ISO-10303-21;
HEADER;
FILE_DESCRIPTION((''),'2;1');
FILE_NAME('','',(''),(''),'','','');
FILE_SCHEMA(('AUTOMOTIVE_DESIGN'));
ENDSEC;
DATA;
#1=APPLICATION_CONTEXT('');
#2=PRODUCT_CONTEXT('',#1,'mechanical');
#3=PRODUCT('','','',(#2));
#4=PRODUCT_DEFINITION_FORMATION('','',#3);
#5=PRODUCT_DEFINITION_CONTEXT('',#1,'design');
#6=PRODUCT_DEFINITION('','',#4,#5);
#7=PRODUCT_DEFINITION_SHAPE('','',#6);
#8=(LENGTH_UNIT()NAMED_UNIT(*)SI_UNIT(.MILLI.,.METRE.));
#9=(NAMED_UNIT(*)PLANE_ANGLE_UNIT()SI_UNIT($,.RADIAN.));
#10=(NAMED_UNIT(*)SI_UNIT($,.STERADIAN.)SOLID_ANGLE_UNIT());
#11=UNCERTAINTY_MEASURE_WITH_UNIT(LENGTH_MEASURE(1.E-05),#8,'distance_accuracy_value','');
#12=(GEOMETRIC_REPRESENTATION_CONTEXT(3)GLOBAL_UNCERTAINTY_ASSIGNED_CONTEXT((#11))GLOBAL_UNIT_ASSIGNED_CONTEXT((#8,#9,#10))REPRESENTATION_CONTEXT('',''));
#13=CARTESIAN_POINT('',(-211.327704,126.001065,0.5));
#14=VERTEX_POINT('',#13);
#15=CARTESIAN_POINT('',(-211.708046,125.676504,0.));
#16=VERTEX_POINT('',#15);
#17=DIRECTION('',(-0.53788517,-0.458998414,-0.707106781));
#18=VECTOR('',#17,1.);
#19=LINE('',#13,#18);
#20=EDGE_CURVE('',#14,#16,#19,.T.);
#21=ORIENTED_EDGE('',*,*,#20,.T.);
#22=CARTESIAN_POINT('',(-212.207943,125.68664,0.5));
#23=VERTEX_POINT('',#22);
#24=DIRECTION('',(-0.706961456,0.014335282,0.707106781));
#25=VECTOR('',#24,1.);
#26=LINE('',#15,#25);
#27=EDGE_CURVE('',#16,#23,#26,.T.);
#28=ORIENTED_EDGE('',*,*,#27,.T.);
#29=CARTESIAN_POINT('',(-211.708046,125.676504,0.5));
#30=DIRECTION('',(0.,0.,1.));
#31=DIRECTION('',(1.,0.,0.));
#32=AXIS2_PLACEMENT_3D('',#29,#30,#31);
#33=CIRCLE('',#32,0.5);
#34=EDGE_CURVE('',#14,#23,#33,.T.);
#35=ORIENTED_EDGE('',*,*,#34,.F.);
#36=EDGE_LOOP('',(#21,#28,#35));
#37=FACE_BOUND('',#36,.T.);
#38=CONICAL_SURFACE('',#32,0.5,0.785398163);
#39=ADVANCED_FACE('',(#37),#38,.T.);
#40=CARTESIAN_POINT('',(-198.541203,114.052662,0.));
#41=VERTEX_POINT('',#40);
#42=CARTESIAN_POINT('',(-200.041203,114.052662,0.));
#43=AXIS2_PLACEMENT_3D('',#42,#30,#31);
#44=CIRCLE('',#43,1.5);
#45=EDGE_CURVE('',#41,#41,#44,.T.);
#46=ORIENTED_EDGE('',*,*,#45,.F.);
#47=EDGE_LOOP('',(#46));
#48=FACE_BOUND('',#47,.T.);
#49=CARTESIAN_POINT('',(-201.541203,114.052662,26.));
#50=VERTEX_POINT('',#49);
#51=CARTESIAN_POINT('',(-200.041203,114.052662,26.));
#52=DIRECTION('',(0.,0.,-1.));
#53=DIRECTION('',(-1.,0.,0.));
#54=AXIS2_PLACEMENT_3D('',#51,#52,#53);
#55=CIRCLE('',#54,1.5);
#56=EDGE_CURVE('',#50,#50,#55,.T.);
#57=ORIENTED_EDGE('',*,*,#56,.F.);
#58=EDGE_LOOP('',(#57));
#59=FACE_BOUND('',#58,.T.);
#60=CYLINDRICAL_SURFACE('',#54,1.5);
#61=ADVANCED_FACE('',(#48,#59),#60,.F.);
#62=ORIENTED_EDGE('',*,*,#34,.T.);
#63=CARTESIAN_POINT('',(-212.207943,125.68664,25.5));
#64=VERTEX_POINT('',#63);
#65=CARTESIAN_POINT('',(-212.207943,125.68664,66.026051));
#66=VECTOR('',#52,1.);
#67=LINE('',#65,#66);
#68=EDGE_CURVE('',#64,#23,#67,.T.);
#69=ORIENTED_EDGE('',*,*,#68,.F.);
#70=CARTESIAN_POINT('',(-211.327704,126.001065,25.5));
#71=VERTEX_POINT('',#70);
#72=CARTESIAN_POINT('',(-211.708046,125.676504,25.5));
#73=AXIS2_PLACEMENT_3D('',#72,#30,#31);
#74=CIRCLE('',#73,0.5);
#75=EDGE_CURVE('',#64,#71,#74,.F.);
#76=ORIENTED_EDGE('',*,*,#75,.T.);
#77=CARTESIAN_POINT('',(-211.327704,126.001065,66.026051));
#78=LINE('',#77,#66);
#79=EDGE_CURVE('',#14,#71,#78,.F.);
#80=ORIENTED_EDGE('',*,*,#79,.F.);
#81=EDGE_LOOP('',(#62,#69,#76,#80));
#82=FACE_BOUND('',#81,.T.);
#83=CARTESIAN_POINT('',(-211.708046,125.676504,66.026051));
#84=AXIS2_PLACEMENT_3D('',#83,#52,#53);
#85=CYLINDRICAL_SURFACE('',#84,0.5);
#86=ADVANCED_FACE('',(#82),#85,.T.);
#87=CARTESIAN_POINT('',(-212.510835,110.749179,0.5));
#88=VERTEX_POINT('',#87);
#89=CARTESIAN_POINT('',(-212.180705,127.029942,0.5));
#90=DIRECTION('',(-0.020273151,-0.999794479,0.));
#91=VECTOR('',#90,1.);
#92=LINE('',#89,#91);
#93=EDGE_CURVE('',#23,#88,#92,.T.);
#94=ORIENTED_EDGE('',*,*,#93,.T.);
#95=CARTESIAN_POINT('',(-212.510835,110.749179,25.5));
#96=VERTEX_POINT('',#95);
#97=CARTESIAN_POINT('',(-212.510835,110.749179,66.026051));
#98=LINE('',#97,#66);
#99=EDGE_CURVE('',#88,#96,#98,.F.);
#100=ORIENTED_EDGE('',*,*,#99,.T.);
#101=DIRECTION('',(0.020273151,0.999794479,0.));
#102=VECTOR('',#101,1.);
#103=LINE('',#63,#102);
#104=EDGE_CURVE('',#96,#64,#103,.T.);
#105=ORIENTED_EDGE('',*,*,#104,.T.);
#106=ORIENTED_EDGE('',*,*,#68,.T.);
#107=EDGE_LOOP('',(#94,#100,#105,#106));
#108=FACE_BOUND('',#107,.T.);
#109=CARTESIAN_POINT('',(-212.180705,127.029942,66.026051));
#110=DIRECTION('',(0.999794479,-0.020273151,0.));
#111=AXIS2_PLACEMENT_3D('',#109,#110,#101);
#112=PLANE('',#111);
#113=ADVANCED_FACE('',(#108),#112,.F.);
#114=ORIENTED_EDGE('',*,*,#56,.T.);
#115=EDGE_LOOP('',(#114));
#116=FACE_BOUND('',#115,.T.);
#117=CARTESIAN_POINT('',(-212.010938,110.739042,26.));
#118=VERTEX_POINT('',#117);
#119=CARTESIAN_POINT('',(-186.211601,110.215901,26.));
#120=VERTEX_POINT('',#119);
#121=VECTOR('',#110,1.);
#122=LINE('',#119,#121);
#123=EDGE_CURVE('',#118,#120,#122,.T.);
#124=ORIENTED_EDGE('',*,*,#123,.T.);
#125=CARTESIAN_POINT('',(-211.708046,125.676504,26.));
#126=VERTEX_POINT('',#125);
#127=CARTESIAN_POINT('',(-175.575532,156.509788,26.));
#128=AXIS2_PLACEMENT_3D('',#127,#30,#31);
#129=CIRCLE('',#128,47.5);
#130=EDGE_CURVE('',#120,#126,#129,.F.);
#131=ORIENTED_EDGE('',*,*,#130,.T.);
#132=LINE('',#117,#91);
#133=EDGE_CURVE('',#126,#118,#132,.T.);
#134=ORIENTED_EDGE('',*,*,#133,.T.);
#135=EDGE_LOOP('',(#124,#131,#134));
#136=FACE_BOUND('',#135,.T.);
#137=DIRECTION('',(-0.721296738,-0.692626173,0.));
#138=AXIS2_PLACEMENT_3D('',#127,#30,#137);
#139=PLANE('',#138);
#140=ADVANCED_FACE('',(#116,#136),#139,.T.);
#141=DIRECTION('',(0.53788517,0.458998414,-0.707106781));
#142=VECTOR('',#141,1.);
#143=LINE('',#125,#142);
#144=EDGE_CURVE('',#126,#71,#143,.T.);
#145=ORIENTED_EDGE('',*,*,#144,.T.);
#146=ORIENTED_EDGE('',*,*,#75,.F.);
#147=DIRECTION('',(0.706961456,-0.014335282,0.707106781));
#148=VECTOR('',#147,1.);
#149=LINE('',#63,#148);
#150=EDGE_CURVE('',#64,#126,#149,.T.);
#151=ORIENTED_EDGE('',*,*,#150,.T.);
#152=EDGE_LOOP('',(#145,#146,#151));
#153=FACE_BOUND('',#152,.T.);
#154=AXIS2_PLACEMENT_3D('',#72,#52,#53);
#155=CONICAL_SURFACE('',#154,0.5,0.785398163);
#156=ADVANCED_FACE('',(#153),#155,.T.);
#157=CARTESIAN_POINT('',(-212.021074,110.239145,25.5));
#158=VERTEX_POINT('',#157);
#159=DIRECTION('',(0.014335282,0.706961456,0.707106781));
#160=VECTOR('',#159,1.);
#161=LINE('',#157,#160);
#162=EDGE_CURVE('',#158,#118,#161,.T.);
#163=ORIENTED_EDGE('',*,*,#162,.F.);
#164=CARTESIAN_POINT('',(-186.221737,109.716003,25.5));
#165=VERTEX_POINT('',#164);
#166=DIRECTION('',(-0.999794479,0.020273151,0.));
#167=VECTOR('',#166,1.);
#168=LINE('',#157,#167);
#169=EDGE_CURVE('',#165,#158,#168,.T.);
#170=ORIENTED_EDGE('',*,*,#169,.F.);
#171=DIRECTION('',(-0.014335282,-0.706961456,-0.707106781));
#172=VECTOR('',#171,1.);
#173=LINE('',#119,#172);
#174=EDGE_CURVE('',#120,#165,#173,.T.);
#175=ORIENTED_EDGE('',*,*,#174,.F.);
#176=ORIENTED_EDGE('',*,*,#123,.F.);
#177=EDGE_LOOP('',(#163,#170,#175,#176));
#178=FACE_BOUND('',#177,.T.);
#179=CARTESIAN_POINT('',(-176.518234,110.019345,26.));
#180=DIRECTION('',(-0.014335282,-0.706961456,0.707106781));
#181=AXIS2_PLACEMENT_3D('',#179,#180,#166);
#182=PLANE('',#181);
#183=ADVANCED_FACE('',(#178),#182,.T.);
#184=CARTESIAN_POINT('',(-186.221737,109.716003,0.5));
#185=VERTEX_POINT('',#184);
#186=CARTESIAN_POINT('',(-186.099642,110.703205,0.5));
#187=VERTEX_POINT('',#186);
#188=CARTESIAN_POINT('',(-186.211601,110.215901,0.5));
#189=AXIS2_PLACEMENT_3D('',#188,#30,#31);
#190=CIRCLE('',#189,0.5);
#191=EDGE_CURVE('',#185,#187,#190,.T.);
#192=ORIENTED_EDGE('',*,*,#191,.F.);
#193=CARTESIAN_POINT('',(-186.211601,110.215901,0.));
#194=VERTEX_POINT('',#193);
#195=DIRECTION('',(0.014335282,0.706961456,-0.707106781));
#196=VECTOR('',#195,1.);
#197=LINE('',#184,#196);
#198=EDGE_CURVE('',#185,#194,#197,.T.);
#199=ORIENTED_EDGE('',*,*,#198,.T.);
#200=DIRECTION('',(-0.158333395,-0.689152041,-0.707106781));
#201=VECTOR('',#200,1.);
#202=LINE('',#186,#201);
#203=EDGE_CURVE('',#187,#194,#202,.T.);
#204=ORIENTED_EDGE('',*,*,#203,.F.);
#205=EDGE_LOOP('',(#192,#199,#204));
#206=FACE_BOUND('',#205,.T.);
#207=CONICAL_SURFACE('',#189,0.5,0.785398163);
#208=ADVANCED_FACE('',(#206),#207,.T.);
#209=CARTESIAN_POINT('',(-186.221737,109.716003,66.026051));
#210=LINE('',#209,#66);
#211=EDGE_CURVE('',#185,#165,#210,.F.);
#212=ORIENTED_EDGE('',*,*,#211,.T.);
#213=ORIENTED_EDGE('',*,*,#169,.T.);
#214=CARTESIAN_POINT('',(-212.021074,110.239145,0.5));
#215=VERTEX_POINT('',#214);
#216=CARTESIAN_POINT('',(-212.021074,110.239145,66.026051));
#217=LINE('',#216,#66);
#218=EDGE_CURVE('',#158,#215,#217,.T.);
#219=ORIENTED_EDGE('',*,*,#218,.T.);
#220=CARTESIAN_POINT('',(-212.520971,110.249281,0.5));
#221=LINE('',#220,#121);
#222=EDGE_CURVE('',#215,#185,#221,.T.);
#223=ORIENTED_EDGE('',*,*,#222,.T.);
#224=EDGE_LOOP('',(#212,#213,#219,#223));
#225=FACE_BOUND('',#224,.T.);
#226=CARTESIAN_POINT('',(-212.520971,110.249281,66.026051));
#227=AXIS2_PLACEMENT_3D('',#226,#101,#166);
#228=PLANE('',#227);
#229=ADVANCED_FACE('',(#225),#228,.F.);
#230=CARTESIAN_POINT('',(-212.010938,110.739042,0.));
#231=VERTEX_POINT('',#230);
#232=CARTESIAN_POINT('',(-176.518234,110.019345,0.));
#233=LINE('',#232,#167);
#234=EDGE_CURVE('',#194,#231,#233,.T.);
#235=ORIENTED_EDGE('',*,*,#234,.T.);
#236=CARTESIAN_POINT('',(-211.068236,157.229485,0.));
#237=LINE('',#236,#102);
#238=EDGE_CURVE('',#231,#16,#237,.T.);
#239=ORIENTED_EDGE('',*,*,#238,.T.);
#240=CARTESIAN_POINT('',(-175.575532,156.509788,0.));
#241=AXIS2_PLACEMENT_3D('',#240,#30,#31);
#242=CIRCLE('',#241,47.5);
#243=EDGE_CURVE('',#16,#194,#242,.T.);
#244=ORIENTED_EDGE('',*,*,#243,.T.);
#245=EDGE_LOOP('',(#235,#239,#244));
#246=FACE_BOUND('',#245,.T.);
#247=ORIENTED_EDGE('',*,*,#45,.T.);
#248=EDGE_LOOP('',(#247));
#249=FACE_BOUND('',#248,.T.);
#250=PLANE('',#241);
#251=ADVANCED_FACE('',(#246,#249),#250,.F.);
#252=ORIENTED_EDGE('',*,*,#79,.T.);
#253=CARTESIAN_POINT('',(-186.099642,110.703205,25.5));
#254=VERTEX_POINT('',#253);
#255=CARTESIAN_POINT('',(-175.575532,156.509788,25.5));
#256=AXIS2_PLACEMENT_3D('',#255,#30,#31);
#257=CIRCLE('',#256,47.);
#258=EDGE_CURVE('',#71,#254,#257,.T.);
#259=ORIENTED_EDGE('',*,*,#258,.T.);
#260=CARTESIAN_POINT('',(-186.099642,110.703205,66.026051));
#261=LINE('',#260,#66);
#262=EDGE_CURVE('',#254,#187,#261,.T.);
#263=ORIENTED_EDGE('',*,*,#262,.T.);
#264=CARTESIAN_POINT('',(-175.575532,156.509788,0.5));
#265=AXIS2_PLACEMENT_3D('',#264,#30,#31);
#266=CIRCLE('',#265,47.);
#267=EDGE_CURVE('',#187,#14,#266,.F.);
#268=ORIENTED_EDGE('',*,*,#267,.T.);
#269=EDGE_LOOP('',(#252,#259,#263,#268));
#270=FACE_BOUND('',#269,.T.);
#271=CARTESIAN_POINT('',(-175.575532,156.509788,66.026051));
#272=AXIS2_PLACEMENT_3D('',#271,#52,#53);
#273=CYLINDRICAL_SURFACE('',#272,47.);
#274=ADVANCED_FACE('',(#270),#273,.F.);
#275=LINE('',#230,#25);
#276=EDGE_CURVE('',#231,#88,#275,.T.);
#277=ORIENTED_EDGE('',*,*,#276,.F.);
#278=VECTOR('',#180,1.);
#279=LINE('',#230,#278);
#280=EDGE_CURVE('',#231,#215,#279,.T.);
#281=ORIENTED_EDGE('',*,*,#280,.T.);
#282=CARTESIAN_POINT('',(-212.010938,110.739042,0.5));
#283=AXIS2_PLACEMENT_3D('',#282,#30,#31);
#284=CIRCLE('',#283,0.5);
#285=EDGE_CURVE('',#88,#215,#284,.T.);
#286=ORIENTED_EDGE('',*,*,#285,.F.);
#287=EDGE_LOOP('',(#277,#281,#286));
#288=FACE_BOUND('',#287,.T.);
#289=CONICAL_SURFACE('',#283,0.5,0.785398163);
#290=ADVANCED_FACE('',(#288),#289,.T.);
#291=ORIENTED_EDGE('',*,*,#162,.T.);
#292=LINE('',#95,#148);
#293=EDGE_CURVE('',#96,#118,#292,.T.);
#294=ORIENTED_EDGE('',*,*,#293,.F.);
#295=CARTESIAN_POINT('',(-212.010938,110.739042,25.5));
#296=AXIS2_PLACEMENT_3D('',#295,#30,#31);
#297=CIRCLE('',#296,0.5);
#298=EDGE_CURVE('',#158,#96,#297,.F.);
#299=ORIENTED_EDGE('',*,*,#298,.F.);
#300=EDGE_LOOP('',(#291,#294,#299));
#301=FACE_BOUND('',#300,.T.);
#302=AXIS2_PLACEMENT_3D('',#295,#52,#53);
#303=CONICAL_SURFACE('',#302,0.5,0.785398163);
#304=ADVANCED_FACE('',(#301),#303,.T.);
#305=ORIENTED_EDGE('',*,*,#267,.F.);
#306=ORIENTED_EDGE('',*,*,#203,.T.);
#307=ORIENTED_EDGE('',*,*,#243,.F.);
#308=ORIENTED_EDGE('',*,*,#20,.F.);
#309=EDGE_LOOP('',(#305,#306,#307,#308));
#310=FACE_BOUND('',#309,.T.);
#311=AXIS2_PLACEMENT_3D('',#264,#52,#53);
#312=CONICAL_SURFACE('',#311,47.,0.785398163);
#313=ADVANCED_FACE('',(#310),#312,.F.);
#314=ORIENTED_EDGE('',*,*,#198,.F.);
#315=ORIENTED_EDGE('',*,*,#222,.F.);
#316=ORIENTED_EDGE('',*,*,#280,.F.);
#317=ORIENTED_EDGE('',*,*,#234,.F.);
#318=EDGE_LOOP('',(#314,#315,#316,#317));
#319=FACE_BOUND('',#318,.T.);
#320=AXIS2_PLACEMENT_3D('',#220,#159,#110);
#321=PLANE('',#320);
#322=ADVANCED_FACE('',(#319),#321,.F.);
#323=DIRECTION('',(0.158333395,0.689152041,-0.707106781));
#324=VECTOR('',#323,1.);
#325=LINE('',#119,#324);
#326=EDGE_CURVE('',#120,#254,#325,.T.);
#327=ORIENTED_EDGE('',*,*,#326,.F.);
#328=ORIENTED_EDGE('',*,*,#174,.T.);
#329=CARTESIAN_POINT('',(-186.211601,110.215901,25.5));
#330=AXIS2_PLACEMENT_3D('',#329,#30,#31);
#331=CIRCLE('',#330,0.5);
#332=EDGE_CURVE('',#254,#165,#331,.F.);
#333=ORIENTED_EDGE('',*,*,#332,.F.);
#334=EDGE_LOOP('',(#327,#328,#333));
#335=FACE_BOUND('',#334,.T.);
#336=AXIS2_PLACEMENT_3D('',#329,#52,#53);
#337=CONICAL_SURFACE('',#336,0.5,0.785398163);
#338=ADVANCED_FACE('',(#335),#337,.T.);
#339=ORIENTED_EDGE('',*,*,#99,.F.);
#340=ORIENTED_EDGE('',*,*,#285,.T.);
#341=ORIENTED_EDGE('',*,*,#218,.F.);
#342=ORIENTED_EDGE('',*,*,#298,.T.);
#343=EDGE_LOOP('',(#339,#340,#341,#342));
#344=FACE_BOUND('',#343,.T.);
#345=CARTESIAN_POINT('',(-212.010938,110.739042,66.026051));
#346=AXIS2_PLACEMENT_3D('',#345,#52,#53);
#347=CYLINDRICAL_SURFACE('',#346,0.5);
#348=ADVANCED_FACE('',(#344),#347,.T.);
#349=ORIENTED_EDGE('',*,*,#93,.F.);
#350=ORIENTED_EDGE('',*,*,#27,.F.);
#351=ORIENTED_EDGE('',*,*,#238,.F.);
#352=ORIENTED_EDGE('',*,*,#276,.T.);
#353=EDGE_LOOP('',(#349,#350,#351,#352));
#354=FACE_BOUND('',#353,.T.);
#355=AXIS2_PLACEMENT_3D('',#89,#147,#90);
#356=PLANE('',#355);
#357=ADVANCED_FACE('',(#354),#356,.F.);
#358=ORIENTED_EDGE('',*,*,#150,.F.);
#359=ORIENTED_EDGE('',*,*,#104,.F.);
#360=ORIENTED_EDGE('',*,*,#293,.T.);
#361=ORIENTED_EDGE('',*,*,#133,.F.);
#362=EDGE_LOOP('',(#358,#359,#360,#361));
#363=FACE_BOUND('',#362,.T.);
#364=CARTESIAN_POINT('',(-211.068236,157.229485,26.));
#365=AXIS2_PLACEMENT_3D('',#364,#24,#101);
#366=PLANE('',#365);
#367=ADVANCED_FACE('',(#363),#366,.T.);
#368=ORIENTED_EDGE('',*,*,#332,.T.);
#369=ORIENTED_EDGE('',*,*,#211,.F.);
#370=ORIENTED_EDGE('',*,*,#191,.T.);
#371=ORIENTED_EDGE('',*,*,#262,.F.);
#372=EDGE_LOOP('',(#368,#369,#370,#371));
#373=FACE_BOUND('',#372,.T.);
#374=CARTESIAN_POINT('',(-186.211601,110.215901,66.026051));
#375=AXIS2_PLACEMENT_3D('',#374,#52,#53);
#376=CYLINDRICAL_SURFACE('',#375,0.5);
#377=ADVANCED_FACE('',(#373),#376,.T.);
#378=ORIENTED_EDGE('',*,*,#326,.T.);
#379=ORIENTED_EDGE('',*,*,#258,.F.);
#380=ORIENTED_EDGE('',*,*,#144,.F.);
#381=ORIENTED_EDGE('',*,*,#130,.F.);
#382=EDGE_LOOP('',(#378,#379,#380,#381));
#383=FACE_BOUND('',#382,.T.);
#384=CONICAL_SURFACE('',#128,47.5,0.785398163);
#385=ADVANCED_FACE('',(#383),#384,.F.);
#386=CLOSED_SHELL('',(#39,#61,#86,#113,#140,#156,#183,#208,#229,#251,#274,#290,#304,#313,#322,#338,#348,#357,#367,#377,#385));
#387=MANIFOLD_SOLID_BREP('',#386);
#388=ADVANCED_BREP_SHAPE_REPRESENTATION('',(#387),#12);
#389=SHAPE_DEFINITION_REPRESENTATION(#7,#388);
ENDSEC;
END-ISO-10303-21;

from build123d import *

# Parameters (mm, degrees)
EXTRUDE_1_DEPTH          = 26
CUT_EXTRUDE_1_DEPTH      = 249.953347952
CUT_EXTRUDE_1_DEPTH_BACK = 249.953347952
SKETCH_2_R               = 1.5
FILLET_1_R               = 0.5
CHAMFER_1_SIZE           = 0.5


with BuildPart() as part:
    # 草图1 → 凸台-拉伸1 (new body)
    with BuildSketch(Plane.XY):
        with BuildLine():
            Line((-212.180704616, 127.029942007), (-212.520971413, 110.249281361))
            Line((-212.520971413, 110.249281361), (-176.528370185, 109.519447931))
            ThreePointArc((-176.528370185, 109.519447931), (-196.295218168, 114.323361589), (-212.180704616, 127.029942007))
        make_face()
    extrude(amount=EXTRUDE_1_DEPTH)

    # 草图2 → 切除-拉伸1 (cut, two sides: drawn at the far end of the back side and taken through both)
    with BuildSketch(Plane(origin=(0, 0, 0), x_dir=(-1, 0, 0), z_dir=(0, 0, -1)).offset(-CUT_EXTRUDE_1_DEPTH_BACK)):
        with Locations((200.041202679, 114.05266186)):
            Circle(SKETCH_2_R)
    extrude(amount=CUT_EXTRUDE_1_DEPTH + CUT_EXTRUDE_1_DEPTH_BACK, mode=Mode.SUBTRACT)

    # 圆角1
    fillet_1_edges = [part.edges().sort_by_distance(p)[0] for p in [
        (-212.520971413, 110.249281361, 13),
        (-176.528370185, 109.519447931, 13),
        (-212.180704616, 127.029942007, 13),
    ]]
    fillet(fillet_1_edges, radius=FILLET_1_R)

    # 倒角1
    chamfer_1_edges = [part.edges().sort_by_distance(p)[0] for p in [
        (-199.945178972, 116.321228968, 26),
        (-199.945178972, 116.321228968, 0),
        (-199.121405734, 109.977574103, 0),
        (-212.359389005, 118.217909462, 0),
        (-212.371585967, 110.392728938, 0),
        (-211.876239308, 126.147365712, 0),
        (-185.71538147, 110.154529202, 0),
        (-199.121405734, 109.977574103, 26),
        (-212.359389005, 118.217909462, 26),
        (-212.371585967, 110.392728938, 26),
        (-211.876239308, 126.147365712, 26),
        (-185.71538147, 110.154529202, 26),
    ]]
    chamfer(chamfer_1_edges, length=CHAMFER_1_SIZE)


solid = part.part
